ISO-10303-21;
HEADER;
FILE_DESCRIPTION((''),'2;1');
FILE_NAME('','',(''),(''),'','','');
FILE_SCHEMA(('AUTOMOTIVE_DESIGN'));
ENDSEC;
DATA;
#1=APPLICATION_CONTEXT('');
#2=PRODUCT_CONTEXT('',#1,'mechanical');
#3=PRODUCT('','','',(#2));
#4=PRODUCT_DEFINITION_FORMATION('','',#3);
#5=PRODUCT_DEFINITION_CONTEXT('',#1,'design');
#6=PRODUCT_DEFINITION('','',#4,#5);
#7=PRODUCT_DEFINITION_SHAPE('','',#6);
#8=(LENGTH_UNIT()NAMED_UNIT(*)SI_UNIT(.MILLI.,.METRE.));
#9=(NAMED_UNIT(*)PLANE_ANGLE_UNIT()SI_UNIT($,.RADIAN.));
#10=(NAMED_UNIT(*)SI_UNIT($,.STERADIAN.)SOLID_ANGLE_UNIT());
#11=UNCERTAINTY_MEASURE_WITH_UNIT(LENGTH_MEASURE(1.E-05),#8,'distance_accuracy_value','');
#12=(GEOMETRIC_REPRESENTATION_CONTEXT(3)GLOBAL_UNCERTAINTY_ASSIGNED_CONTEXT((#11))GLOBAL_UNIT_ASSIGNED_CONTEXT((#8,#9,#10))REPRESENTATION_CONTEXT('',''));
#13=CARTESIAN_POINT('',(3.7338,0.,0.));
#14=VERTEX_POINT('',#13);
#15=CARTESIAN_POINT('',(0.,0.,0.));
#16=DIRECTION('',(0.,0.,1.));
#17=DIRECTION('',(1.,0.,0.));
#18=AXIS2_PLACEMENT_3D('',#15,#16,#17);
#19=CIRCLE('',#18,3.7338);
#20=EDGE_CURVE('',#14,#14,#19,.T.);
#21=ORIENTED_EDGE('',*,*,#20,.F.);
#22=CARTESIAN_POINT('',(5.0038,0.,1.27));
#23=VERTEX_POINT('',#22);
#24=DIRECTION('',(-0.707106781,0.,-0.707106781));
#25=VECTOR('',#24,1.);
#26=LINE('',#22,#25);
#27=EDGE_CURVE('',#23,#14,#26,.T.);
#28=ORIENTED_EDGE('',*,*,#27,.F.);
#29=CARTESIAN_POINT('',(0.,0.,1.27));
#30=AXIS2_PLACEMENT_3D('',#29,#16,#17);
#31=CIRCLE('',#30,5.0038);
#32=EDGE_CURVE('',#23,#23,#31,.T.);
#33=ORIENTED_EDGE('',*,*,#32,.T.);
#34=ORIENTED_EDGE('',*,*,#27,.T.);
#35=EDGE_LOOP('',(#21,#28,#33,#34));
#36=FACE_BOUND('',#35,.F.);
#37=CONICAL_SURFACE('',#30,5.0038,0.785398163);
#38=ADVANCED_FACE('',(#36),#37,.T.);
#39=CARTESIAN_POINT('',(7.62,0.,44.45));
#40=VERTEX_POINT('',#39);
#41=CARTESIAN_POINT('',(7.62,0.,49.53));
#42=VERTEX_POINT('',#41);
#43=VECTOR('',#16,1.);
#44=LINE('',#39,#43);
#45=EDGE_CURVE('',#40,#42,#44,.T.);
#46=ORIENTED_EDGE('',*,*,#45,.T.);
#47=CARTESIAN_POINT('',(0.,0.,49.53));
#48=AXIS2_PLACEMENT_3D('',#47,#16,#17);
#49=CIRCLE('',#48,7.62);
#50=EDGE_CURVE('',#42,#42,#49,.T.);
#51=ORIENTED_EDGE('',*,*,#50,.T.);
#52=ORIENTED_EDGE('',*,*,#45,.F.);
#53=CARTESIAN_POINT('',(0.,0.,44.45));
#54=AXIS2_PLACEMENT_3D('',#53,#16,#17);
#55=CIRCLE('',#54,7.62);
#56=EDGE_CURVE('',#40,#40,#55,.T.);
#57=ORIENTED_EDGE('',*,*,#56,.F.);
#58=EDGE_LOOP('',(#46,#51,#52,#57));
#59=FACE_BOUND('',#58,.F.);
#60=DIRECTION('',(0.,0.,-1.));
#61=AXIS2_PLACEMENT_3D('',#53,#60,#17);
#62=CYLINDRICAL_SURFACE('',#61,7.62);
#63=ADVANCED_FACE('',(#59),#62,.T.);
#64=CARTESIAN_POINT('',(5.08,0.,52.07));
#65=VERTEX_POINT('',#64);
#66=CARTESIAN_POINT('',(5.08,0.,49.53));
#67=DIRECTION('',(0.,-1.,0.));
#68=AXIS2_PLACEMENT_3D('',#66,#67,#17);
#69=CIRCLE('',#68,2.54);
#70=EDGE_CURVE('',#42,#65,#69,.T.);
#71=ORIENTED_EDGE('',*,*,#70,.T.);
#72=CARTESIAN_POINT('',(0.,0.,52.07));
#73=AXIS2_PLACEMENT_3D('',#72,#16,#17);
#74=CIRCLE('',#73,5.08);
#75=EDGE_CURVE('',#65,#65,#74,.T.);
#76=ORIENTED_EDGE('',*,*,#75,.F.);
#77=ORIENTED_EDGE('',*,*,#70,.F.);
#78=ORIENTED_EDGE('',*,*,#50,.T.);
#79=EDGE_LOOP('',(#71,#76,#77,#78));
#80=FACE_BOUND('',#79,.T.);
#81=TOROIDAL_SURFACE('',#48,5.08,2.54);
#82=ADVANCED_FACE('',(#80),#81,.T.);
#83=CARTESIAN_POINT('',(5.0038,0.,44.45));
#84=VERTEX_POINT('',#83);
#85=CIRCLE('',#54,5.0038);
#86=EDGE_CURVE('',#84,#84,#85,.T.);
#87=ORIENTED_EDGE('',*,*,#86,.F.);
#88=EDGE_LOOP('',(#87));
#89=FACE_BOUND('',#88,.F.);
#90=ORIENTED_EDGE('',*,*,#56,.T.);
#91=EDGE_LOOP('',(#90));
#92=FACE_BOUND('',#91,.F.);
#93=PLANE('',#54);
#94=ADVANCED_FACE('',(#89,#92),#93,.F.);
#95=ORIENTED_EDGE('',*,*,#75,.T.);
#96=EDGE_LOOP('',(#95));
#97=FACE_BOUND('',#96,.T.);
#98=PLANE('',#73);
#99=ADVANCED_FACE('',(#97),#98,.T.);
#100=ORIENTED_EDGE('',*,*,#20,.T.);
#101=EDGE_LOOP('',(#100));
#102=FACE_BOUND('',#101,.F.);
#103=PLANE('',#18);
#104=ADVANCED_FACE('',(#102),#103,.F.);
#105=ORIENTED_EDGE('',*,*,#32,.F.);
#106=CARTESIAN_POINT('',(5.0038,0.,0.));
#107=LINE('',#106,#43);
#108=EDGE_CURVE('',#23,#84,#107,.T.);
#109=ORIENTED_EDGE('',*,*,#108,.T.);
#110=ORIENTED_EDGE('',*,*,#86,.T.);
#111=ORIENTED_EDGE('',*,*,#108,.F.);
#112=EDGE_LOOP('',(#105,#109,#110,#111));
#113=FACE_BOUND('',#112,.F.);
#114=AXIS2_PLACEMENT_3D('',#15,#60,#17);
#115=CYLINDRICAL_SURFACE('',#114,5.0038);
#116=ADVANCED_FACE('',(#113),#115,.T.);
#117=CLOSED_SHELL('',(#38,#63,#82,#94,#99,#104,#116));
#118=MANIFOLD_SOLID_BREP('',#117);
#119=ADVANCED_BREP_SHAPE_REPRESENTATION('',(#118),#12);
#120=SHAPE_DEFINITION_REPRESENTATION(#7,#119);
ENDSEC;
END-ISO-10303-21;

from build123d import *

# Parameters (mm, degrees)
F0_R     = 5.0038
F1_DEPTH = 44.45
F2_R     = 7.62
F2_R_2   = 5.0038
F3_DEPTH = 7.62
F4_R     = 2.54
F5_SIZE  = 1.27


with BuildPart() as f1:
    # F0 (on Top) → F1 (new body)
    with BuildSketch(Plane.XY):
        Circle(F0_R)
    extrude(amount=F1_DEPTH)

    # F2 (on face) → F3 (join)
    with BuildSketch(Plane.XY.offset(44.45)):
        Circle(F2_R)
        Circle(F2_R_2, mode=Mode.SUBTRACT)
        Circle(F2_R_2)
    extrude(amount=F3_DEPTH)

    # F4
    f4_edges = [f1.edges().sort_by_distance(p)[0] for p in [
        (-7.62, 0, 52.07),
    ]]
    fillet(f4_edges, radius=F4_R)

    # F5
    f5_edges = [f1.edges().sort_by_distance(p)[0] for p in [
        (-5.0038, 0, 0),
    ]]
    chamfer(f5_edges, length=F5_SIZE)


solid = f1.part
